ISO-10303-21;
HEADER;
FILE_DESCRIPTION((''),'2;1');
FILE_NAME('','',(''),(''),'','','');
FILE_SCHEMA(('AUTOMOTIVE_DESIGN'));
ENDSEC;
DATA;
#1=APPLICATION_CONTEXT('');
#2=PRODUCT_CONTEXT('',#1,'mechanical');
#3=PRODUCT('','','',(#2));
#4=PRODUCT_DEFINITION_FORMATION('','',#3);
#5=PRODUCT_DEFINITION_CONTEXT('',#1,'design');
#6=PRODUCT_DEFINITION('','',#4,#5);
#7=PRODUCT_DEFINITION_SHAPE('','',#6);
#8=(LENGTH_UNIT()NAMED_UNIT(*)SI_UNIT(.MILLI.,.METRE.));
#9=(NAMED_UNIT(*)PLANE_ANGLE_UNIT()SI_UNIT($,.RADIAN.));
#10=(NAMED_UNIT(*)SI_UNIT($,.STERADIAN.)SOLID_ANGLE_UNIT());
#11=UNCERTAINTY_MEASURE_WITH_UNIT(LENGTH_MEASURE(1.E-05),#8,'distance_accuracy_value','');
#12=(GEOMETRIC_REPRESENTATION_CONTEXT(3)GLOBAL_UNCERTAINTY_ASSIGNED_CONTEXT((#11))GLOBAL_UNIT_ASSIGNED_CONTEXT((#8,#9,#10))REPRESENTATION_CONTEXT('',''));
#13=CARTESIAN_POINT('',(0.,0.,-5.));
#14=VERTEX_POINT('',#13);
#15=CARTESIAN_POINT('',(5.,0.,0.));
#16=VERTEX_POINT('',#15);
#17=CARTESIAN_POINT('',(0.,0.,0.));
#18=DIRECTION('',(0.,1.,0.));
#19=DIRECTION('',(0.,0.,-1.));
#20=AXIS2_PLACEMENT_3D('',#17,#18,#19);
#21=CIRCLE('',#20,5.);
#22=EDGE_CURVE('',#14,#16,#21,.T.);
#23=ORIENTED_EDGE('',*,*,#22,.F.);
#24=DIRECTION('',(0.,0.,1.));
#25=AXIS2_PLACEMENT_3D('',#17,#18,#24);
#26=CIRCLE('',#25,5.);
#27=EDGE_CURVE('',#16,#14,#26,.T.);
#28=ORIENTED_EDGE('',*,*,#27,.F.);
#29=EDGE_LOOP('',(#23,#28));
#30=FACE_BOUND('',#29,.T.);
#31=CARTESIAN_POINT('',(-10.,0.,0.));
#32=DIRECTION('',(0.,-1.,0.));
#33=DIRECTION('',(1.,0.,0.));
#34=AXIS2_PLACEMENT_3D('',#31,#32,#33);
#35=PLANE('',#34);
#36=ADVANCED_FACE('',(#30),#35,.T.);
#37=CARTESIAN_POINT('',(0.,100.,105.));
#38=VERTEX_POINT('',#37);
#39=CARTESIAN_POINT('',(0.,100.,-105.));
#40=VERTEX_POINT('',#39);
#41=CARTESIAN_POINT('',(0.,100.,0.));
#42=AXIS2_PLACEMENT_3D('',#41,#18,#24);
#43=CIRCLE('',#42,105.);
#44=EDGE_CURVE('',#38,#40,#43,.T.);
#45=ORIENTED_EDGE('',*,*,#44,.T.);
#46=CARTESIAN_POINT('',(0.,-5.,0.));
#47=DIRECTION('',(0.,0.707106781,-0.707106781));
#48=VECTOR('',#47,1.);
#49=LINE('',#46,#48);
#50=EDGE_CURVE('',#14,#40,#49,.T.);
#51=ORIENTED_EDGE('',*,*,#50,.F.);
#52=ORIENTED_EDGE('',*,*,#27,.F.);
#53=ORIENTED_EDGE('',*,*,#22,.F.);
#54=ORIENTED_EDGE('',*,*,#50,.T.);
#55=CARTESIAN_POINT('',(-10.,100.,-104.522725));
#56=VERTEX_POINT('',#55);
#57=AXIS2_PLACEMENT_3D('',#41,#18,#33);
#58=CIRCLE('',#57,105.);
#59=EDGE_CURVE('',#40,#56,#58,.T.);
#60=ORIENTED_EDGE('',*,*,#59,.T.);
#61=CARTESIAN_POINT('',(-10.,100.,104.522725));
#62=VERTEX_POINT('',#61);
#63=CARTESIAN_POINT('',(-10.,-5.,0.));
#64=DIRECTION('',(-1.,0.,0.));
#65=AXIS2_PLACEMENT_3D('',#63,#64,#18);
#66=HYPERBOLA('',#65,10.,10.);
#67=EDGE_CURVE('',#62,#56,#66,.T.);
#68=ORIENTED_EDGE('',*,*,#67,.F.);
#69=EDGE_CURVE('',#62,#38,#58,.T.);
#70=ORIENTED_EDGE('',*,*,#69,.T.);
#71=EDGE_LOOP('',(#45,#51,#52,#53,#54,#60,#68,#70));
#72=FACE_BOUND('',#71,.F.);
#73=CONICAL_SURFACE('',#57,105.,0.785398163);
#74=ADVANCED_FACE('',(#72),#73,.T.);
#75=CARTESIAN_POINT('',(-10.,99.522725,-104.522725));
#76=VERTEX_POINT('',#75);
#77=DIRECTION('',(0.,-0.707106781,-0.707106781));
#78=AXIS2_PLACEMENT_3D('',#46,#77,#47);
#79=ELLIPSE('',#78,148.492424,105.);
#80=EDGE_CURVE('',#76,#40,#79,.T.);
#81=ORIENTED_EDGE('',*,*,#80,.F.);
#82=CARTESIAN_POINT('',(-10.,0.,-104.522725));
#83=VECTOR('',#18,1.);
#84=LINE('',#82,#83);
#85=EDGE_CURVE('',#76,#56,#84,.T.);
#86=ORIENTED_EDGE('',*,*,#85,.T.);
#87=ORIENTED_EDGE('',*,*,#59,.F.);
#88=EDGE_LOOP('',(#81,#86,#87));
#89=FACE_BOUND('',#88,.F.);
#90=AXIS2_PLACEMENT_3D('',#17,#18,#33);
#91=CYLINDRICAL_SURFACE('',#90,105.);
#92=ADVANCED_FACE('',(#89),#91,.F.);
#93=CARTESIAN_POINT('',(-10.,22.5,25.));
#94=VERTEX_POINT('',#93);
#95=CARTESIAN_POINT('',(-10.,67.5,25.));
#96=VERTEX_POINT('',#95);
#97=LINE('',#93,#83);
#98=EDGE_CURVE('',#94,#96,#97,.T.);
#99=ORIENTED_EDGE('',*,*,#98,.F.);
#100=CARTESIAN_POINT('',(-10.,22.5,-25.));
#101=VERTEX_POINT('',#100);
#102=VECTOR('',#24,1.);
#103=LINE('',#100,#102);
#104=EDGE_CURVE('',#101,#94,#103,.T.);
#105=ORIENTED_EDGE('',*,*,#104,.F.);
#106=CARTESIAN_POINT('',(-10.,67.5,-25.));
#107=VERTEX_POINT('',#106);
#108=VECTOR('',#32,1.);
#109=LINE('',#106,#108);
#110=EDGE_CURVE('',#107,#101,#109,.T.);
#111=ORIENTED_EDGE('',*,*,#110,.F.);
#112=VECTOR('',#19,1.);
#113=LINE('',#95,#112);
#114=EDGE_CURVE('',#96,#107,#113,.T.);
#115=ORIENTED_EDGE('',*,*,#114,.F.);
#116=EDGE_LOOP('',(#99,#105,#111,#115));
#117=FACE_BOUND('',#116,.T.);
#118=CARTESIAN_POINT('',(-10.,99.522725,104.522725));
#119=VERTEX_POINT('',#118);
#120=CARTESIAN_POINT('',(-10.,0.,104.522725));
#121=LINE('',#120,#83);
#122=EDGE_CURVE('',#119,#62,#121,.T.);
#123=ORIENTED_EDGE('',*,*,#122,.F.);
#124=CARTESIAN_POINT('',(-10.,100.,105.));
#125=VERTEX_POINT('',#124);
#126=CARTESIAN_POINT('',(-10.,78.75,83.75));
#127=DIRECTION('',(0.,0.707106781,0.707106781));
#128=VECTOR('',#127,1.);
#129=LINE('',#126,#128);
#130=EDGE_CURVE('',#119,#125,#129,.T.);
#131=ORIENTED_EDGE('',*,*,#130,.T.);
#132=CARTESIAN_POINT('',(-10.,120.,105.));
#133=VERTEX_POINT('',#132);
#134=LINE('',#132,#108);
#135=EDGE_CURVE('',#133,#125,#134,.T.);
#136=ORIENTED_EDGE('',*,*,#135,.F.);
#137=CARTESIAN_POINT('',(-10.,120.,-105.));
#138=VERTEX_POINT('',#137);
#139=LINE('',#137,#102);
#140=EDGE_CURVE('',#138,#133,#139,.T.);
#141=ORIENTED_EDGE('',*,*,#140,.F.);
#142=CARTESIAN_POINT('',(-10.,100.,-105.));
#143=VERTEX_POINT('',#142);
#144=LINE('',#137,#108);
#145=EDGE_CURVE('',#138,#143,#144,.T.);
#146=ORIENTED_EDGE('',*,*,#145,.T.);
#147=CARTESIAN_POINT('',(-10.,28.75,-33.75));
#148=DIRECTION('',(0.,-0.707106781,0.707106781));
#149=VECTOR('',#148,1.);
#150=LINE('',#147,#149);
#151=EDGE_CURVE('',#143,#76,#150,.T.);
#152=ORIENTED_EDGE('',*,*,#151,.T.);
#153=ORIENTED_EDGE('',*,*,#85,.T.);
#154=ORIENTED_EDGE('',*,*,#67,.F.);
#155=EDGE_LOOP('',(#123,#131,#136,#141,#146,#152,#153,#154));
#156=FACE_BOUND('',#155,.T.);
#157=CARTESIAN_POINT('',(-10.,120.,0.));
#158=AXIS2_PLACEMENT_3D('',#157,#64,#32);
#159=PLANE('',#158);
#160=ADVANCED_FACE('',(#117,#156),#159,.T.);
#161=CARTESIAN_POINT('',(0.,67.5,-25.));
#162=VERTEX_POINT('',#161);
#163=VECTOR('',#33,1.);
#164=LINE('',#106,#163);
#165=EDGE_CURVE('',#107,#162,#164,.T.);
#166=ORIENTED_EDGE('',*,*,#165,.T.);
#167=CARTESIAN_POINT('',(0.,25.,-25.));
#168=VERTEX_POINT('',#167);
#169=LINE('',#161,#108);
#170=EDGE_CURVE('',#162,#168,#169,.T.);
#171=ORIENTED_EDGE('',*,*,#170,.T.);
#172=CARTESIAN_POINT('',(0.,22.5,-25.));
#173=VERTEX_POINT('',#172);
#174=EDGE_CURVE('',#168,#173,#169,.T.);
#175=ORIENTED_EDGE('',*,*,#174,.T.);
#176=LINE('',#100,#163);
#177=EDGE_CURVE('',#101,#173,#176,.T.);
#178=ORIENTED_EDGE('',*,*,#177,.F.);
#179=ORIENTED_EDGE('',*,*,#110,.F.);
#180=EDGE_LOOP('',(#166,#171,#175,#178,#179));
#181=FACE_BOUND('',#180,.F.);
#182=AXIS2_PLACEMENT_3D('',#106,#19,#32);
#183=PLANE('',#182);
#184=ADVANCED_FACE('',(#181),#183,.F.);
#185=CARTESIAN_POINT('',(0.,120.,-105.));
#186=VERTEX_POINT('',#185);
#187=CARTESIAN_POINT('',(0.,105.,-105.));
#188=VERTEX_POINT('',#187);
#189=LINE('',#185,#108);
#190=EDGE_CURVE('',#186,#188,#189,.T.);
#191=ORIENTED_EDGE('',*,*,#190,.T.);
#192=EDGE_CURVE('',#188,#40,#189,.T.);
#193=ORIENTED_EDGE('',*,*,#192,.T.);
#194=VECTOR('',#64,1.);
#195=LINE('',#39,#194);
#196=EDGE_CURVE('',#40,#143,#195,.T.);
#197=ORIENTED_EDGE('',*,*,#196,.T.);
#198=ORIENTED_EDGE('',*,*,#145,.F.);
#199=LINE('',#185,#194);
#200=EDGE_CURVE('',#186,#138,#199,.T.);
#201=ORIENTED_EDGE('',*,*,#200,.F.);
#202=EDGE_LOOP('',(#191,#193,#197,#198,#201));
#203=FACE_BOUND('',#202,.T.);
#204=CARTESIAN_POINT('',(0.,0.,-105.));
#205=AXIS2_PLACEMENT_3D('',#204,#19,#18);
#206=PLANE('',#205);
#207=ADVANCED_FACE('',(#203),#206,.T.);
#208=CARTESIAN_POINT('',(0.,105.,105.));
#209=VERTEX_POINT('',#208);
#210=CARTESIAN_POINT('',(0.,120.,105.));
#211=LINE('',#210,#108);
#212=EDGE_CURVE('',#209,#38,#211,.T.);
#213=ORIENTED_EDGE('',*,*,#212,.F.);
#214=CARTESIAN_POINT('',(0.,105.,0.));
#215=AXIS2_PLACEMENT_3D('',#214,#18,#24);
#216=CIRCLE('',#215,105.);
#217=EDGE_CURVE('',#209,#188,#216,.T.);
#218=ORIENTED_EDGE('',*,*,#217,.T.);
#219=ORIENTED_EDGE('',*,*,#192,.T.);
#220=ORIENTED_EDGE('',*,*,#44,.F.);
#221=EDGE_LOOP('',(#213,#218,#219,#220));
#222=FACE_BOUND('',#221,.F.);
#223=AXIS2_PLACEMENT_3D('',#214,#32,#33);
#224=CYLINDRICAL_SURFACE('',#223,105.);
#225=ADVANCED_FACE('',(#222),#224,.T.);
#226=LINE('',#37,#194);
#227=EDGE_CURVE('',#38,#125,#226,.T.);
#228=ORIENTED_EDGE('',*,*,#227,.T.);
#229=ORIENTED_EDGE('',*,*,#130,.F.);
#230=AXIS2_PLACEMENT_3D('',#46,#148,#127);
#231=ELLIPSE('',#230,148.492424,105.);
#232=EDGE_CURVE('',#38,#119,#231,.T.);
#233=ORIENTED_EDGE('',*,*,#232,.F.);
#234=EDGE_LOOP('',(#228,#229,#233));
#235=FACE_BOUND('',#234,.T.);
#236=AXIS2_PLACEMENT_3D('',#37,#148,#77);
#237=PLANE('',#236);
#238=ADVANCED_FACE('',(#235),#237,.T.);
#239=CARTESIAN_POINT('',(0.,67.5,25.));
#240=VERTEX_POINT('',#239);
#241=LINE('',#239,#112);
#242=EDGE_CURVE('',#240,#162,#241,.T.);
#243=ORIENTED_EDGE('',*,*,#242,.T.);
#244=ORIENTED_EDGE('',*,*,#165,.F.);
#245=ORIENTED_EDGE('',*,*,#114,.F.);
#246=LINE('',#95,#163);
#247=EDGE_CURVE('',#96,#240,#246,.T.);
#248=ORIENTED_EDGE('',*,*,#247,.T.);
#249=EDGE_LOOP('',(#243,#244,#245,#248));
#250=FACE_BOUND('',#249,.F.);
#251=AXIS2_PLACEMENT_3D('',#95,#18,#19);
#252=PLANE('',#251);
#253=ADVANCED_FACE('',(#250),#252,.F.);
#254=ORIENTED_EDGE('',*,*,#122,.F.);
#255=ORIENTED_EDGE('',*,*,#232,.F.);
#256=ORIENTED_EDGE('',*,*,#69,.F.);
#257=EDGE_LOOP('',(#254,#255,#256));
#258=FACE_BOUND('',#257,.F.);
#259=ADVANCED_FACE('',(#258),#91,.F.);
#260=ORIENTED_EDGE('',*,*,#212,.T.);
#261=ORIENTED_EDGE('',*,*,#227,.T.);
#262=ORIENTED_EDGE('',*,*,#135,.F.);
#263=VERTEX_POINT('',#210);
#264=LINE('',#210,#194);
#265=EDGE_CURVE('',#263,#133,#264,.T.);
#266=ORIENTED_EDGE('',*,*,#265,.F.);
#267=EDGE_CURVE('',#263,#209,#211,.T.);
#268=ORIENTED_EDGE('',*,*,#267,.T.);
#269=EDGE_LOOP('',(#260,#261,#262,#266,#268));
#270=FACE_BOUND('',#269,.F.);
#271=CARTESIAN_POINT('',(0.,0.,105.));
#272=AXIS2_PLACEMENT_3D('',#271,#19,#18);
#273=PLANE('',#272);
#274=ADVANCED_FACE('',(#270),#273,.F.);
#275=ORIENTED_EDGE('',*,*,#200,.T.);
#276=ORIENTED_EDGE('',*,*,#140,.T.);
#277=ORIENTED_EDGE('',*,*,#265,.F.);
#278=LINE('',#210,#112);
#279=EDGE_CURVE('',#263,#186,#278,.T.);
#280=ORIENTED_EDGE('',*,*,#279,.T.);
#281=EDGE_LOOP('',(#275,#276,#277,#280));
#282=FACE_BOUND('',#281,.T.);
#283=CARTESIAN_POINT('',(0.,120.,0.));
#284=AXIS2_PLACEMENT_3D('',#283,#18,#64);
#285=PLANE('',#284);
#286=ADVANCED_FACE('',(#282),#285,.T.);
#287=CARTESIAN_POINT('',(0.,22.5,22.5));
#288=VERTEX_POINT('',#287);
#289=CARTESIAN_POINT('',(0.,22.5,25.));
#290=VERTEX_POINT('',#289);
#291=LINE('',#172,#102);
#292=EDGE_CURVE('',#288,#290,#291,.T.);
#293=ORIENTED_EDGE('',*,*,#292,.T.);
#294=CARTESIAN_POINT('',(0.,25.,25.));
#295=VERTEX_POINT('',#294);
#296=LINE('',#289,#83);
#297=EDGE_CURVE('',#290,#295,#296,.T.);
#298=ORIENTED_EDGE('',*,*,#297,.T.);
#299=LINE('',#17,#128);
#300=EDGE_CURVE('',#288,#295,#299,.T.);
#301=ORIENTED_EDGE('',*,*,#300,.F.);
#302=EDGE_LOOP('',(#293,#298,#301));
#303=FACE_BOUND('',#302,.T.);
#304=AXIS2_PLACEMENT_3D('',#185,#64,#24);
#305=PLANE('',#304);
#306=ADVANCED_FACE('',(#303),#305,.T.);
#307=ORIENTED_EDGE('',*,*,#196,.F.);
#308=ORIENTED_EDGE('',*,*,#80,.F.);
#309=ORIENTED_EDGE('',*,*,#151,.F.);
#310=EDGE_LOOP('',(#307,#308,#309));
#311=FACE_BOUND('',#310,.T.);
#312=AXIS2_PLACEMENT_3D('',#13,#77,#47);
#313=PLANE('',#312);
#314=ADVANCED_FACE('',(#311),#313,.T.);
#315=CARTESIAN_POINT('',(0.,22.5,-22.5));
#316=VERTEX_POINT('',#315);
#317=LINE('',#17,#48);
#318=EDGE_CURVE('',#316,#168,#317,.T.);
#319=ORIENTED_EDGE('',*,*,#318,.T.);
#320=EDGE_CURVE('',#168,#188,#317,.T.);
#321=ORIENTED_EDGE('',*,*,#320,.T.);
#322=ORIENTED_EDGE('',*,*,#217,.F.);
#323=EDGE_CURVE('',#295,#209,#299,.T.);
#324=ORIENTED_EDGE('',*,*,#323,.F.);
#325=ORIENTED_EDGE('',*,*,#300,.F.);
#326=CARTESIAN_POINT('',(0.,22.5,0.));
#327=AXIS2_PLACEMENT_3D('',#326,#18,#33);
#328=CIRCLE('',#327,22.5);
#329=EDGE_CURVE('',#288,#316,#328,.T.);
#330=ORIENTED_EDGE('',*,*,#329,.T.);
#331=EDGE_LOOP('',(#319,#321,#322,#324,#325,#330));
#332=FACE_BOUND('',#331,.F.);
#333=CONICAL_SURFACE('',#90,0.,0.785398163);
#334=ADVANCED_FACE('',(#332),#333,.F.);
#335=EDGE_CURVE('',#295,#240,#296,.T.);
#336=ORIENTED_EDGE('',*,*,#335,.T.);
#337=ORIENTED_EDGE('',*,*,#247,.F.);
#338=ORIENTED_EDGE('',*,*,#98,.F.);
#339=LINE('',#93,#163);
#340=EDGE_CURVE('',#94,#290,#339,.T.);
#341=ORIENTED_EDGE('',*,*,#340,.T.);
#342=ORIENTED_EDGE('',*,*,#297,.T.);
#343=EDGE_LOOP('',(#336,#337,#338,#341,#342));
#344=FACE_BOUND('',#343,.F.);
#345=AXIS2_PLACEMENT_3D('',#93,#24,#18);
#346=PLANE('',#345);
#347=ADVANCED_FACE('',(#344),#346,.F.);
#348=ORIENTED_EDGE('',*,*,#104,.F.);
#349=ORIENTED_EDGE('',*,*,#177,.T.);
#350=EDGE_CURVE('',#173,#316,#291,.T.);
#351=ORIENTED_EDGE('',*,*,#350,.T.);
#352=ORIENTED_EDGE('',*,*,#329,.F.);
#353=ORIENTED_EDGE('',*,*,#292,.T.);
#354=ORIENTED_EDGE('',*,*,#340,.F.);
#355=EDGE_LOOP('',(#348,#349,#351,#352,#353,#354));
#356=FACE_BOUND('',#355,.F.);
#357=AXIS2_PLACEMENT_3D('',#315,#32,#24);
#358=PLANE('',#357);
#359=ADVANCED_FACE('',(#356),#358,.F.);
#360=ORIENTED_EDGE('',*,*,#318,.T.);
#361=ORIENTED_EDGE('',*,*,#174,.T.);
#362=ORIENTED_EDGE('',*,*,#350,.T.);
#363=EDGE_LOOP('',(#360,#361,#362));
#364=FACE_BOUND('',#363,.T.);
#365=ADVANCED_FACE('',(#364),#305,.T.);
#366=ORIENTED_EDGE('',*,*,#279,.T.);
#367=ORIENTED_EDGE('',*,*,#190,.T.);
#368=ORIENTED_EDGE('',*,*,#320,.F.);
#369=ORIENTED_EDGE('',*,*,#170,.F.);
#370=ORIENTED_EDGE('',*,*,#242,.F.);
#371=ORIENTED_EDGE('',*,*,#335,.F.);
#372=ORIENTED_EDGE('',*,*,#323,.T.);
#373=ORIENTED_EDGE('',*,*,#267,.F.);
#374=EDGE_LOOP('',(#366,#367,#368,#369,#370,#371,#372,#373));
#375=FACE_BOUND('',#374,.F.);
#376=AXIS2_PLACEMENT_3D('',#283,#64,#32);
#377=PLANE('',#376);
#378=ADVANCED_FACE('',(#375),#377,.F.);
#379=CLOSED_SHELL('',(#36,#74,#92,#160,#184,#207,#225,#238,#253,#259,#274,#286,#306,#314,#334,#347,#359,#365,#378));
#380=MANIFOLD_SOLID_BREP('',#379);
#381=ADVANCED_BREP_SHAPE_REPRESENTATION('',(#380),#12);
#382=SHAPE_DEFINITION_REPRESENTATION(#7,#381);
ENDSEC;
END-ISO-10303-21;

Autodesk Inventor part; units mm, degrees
ref_plane "YZ Plane" through (0, 0, 0) normal (1, 0, 0) x (0, 1, 0)
ref_plane "XZ Plane" through (0, 0, 0) normal (0, 1, 0) x (-1, 0, 0)
sketch "Sketch1" plane through (0, 0, 0) normal (0, 0, 1) x (1, 0, 0)
  line L0 (0, 0) -> (5, 0)
  line L1 (5, 0) -> (105, 0)
  line L2 (105, 0) -> (105, 100)
  line L3 (105, 100) -> (5, 0)
  line L4 (0, 0) -> (105, 105)
  line L5 (105, 105) -> (105, 100)
  line L6 (0, 0) -> (0, 120) construction
  dimension "d0" = 5
  dimension "d1" = 100
  dimension "d2" = 100
  dimension "d3" = 120
revolve "Revolution1" add sketch "Sketch1" angle 360 about axis through (0, 0, 0) along (0, 1, 0) contours L4 L5 L3 L0
ref_plane "Work Plane1" through (0, 0, 0) normal (0, 0, -1) x (0, 1, 0)
sketch "Sketch2" plane through (0, 0, 0) normal (0, 0, -1) x (0, 1, 0)
  line L0 (120, 0) -> (120, -10)
  line L1 (120, -10) -> (0, -10)
  line L2 (0, -10) -> (0, 0)
  line L3 (120, -10) -> (120, -110)
  line L4 (120, -110) -> (0, -110)
  line L5 (0, -110) -> (0, -10)
  line L6 (120, 0) -> (0, 0)
  dimension "d5" = 10
  dimension "d6" = 120
  dimension "d7" = 10
  dimension "d8" = 100
extrude "Extrusion1" cut sketch "Sketch2" along normal through all both and the other way through all contours L3 L4 L5 L1
extrude "Extrusion2" add sketch "Sketch2" along normal mid plane 210 contours L0 L1 L2 L6
sketch "Sketch3" plane through (0, 0, 105) normal (1, 0, 0) x (0, 0, -1)
  line L0 (0, 100) -> (100, 0) projected
  line L1 (0, 0) -> (0, 100) projected
  line L2 (100, 0) -> (0, 0) projected
  line L3 (110, 0) -> (210, 100) projected
  line L4 (210, 0) -> (110, 0) projected
  line L5 (210, 100) -> (210, 0) projected
  point P0 (105, 0)
extrude "Extrusion3" cut sketch "Sketch3" against normal through all
sketch "Sketch4" plane through (-10, 120, -105) normal (-1, 0, 0) x (0, 0, 1)
  line L0 (105, -120) -> (105, -75)
  line L1 (130, -52.5) -> (80, -52.5)
  line L2 (80, -52.5) -> (80, -97.5)
  line L3 (80, -97.5) -> (130, -97.5)
  line L4 (130, -97.5) -> (130, -52.5)
  line L5 (130, -52.5) -> (80, -97.5) construction
  line L6 (80, -52.5) -> (130, -97.5) construction
  dimension "d15" = 45
  dimension "d16" = 50
  dimension "d17" = 45
extrude "Extrusion4" cut sketch "Sketch4" against normal blind 10
sketch "Sketch5" plane through (0, 22.5, 22.5) normal (1, 0, 0) x (0, 0, -1)
  line L0 (45, 0) -> (0, 0) projected
  line L1 (127.5, 82.5) -> (22.5, -22.5) projected
  line L2 (22.5, -22.5) -> (0, 0) projected
extrude "Extrusion5" add sketch "Sketch5" along normal blind 25
revolve "Revolution2" cut sketch "Sketch1" angle 360 about axis through (0, 0, 0) along (0, 1, 0) contours L3 L2 L1
properties part number "Collector"
